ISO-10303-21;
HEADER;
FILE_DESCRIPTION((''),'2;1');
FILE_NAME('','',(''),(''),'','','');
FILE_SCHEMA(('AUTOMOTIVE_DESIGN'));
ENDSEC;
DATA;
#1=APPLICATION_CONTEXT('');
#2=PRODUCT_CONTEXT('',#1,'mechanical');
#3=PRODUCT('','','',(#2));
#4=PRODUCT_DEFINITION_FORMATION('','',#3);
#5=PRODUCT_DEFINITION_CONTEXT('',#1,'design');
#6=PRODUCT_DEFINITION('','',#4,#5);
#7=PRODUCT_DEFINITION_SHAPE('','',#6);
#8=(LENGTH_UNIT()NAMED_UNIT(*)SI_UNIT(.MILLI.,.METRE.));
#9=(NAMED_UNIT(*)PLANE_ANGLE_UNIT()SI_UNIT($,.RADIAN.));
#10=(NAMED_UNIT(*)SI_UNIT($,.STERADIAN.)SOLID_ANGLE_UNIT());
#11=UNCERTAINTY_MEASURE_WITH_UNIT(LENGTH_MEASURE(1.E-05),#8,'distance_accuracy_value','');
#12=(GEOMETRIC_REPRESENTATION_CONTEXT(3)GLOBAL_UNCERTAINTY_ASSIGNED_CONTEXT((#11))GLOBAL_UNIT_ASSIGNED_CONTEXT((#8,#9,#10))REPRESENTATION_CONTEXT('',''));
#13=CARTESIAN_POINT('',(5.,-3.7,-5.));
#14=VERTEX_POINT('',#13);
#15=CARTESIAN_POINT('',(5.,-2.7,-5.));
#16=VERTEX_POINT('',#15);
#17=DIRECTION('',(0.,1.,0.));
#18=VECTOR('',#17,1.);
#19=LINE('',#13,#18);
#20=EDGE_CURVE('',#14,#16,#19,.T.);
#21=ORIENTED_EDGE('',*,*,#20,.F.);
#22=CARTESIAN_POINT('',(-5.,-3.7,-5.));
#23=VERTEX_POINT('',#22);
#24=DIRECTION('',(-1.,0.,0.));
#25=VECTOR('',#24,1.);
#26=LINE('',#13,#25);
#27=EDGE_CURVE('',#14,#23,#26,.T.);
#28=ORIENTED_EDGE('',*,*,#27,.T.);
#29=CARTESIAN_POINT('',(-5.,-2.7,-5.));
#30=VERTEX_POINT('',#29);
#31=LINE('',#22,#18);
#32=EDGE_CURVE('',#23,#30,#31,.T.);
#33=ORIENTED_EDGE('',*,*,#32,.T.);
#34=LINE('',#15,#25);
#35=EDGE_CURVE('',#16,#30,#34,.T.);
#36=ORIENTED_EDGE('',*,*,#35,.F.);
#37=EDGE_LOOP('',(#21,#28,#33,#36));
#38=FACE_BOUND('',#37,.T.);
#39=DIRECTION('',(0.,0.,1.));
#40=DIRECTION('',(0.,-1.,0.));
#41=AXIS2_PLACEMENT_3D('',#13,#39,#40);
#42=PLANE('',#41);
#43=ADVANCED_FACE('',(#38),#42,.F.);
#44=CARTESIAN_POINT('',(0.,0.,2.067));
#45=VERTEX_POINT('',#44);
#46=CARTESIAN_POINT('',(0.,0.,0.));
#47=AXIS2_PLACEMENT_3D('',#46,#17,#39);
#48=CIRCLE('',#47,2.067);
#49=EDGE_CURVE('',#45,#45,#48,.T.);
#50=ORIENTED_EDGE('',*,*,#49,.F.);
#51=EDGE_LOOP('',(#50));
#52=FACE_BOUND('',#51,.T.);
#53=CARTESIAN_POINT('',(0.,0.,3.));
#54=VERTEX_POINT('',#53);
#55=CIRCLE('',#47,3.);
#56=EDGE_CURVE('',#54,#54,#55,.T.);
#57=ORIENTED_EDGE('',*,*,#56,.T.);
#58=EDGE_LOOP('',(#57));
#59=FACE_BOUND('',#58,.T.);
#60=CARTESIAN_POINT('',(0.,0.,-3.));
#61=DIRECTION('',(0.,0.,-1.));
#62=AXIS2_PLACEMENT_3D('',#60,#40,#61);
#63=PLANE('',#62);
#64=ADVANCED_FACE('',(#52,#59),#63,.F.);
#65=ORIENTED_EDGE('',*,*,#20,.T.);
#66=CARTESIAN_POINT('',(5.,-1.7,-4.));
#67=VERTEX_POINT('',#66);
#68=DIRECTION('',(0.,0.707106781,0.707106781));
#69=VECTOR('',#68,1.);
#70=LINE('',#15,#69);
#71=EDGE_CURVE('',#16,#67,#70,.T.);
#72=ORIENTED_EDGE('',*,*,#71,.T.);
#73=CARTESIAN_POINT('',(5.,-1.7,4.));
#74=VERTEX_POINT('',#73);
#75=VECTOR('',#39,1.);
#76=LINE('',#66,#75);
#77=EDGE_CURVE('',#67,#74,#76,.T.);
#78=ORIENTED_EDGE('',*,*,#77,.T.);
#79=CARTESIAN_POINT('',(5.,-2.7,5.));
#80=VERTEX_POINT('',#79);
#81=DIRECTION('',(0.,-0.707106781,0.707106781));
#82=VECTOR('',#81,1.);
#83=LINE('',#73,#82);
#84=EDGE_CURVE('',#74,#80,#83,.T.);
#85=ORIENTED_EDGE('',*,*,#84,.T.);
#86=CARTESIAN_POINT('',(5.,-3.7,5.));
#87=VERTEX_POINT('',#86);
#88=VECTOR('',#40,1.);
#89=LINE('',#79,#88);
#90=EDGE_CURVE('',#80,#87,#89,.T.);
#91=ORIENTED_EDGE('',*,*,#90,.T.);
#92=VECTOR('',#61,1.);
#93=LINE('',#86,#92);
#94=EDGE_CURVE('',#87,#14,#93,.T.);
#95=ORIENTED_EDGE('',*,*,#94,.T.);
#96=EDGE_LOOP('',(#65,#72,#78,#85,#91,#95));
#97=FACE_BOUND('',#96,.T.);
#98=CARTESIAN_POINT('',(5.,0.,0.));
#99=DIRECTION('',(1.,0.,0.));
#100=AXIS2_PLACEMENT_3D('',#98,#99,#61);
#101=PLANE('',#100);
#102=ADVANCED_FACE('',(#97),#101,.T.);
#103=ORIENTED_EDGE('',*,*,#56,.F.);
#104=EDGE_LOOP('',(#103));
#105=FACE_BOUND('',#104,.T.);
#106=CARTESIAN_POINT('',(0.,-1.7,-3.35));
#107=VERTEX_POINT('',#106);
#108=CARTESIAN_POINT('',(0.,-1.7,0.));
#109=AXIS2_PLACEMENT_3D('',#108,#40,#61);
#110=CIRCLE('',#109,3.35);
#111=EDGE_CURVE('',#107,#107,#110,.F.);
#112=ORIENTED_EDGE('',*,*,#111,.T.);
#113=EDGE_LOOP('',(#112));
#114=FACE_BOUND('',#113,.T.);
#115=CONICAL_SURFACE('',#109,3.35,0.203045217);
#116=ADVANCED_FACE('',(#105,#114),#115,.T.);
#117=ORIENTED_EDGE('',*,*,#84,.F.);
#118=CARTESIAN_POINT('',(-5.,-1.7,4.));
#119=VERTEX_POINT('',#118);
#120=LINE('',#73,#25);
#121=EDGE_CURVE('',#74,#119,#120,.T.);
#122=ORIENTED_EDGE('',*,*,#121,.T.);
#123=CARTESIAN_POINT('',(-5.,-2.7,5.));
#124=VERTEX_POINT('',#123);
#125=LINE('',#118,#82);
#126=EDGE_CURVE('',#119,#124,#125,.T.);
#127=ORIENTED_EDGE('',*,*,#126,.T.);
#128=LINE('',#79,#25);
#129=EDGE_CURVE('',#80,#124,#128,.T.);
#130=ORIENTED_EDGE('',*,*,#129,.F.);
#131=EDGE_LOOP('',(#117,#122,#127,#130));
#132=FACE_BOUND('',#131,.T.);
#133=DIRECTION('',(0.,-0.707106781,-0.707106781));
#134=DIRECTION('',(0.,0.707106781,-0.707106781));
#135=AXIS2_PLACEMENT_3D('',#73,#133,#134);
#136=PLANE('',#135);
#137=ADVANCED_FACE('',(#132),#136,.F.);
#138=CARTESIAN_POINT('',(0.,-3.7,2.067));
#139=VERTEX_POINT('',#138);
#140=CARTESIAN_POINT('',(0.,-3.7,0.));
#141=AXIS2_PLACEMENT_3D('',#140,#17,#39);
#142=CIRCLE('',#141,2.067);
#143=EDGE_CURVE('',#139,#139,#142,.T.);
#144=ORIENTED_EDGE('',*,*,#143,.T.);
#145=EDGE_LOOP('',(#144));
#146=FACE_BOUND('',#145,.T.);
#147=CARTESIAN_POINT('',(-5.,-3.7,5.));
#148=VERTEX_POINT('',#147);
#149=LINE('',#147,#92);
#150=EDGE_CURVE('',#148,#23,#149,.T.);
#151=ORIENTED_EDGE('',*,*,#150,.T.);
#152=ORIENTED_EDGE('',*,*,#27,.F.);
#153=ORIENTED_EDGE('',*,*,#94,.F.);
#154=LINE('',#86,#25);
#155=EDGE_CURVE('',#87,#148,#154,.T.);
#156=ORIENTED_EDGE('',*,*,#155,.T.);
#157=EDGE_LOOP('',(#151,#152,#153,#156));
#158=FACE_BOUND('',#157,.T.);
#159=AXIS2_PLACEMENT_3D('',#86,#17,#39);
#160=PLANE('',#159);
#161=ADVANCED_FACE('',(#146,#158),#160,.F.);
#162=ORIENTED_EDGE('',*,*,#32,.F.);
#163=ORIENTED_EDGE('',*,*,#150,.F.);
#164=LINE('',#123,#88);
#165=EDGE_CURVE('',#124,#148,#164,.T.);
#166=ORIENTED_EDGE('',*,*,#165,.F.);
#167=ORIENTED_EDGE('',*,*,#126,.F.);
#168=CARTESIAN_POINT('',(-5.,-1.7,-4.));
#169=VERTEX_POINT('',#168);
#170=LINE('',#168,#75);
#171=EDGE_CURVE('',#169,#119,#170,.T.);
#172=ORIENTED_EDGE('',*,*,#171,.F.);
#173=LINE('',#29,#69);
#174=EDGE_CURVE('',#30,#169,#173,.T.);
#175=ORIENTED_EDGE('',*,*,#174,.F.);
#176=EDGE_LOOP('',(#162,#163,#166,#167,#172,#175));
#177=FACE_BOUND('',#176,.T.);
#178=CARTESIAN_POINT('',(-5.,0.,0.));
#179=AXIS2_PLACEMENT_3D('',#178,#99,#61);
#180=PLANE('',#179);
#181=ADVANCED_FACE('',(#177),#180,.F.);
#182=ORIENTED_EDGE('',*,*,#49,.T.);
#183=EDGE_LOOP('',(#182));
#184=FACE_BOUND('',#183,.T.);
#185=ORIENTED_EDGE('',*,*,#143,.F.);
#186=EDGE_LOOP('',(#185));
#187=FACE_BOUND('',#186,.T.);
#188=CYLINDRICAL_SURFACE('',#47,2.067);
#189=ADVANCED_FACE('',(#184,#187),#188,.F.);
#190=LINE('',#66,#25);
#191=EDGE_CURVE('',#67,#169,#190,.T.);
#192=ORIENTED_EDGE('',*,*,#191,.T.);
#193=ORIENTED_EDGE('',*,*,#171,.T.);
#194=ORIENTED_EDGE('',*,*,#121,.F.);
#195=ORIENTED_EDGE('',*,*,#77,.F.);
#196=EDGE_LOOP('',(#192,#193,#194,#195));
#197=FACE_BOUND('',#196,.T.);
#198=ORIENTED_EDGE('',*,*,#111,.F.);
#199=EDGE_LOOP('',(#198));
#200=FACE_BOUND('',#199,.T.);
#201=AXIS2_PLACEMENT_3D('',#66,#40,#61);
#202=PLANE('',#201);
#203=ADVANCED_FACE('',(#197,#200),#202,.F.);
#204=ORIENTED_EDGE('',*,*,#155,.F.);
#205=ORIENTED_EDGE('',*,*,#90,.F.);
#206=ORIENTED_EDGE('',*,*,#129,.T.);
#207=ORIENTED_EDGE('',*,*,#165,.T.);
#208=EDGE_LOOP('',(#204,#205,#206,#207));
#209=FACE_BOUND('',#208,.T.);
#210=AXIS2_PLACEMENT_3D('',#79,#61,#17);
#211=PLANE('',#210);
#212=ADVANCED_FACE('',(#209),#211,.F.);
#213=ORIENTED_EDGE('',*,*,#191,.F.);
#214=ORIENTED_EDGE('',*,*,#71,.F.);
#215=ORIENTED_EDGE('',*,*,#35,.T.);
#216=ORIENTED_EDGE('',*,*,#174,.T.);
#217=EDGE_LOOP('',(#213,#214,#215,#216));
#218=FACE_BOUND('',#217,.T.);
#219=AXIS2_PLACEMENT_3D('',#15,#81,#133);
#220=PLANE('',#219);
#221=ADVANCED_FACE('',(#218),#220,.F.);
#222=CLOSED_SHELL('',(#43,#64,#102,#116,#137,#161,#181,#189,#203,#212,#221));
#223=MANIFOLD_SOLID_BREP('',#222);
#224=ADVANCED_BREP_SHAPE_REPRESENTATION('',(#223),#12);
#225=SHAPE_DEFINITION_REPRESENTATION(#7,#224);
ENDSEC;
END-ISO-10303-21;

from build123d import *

# Parameters (mm, degrees)
BOSS_EXTRUDE1_DEPTH = 10
TAPPED_HOLE1_D      = 4.134


with BuildPart() as part:
    # Sketch1 → Boss-Extrude1 (new body)
    with BuildSketch(Plane(origin=(-5, 0, 0), x_dir=(0, 0, -1), z_dir=(1, 0, 0))):
        Polygon((4, -1.7), (-4, -1.7), (-5, -2.7), (-5, -3.7), (5, -3.7), (5, -2.7), align=None)
    extrude(amount=BOSS_EXTRUDE1_DEPTH)

    # Sketch2 → Revolve1 (revolve)
    with BuildSketch(Plane(origin=(0, 0, 0), x_dir=(0, 0, -1), z_dir=(1, 0, 0))):
        Polygon((3.35, -1.7), (3, 0), (0, 0), (0, -1.7), align=None)
    revolve(axis=Axis((0, 0, 0), (0, -1, 0)))

    # Tapped Hole1 (through all)
    with Locations(Plane(origin=(0, 0, 0), x_dir=(1, 0, 0), z_dir=(0, 1, 0))):
        with Locations((0, 0)):
            Hole(TAPPED_HOLE1_D / 2)


solid = part.part
